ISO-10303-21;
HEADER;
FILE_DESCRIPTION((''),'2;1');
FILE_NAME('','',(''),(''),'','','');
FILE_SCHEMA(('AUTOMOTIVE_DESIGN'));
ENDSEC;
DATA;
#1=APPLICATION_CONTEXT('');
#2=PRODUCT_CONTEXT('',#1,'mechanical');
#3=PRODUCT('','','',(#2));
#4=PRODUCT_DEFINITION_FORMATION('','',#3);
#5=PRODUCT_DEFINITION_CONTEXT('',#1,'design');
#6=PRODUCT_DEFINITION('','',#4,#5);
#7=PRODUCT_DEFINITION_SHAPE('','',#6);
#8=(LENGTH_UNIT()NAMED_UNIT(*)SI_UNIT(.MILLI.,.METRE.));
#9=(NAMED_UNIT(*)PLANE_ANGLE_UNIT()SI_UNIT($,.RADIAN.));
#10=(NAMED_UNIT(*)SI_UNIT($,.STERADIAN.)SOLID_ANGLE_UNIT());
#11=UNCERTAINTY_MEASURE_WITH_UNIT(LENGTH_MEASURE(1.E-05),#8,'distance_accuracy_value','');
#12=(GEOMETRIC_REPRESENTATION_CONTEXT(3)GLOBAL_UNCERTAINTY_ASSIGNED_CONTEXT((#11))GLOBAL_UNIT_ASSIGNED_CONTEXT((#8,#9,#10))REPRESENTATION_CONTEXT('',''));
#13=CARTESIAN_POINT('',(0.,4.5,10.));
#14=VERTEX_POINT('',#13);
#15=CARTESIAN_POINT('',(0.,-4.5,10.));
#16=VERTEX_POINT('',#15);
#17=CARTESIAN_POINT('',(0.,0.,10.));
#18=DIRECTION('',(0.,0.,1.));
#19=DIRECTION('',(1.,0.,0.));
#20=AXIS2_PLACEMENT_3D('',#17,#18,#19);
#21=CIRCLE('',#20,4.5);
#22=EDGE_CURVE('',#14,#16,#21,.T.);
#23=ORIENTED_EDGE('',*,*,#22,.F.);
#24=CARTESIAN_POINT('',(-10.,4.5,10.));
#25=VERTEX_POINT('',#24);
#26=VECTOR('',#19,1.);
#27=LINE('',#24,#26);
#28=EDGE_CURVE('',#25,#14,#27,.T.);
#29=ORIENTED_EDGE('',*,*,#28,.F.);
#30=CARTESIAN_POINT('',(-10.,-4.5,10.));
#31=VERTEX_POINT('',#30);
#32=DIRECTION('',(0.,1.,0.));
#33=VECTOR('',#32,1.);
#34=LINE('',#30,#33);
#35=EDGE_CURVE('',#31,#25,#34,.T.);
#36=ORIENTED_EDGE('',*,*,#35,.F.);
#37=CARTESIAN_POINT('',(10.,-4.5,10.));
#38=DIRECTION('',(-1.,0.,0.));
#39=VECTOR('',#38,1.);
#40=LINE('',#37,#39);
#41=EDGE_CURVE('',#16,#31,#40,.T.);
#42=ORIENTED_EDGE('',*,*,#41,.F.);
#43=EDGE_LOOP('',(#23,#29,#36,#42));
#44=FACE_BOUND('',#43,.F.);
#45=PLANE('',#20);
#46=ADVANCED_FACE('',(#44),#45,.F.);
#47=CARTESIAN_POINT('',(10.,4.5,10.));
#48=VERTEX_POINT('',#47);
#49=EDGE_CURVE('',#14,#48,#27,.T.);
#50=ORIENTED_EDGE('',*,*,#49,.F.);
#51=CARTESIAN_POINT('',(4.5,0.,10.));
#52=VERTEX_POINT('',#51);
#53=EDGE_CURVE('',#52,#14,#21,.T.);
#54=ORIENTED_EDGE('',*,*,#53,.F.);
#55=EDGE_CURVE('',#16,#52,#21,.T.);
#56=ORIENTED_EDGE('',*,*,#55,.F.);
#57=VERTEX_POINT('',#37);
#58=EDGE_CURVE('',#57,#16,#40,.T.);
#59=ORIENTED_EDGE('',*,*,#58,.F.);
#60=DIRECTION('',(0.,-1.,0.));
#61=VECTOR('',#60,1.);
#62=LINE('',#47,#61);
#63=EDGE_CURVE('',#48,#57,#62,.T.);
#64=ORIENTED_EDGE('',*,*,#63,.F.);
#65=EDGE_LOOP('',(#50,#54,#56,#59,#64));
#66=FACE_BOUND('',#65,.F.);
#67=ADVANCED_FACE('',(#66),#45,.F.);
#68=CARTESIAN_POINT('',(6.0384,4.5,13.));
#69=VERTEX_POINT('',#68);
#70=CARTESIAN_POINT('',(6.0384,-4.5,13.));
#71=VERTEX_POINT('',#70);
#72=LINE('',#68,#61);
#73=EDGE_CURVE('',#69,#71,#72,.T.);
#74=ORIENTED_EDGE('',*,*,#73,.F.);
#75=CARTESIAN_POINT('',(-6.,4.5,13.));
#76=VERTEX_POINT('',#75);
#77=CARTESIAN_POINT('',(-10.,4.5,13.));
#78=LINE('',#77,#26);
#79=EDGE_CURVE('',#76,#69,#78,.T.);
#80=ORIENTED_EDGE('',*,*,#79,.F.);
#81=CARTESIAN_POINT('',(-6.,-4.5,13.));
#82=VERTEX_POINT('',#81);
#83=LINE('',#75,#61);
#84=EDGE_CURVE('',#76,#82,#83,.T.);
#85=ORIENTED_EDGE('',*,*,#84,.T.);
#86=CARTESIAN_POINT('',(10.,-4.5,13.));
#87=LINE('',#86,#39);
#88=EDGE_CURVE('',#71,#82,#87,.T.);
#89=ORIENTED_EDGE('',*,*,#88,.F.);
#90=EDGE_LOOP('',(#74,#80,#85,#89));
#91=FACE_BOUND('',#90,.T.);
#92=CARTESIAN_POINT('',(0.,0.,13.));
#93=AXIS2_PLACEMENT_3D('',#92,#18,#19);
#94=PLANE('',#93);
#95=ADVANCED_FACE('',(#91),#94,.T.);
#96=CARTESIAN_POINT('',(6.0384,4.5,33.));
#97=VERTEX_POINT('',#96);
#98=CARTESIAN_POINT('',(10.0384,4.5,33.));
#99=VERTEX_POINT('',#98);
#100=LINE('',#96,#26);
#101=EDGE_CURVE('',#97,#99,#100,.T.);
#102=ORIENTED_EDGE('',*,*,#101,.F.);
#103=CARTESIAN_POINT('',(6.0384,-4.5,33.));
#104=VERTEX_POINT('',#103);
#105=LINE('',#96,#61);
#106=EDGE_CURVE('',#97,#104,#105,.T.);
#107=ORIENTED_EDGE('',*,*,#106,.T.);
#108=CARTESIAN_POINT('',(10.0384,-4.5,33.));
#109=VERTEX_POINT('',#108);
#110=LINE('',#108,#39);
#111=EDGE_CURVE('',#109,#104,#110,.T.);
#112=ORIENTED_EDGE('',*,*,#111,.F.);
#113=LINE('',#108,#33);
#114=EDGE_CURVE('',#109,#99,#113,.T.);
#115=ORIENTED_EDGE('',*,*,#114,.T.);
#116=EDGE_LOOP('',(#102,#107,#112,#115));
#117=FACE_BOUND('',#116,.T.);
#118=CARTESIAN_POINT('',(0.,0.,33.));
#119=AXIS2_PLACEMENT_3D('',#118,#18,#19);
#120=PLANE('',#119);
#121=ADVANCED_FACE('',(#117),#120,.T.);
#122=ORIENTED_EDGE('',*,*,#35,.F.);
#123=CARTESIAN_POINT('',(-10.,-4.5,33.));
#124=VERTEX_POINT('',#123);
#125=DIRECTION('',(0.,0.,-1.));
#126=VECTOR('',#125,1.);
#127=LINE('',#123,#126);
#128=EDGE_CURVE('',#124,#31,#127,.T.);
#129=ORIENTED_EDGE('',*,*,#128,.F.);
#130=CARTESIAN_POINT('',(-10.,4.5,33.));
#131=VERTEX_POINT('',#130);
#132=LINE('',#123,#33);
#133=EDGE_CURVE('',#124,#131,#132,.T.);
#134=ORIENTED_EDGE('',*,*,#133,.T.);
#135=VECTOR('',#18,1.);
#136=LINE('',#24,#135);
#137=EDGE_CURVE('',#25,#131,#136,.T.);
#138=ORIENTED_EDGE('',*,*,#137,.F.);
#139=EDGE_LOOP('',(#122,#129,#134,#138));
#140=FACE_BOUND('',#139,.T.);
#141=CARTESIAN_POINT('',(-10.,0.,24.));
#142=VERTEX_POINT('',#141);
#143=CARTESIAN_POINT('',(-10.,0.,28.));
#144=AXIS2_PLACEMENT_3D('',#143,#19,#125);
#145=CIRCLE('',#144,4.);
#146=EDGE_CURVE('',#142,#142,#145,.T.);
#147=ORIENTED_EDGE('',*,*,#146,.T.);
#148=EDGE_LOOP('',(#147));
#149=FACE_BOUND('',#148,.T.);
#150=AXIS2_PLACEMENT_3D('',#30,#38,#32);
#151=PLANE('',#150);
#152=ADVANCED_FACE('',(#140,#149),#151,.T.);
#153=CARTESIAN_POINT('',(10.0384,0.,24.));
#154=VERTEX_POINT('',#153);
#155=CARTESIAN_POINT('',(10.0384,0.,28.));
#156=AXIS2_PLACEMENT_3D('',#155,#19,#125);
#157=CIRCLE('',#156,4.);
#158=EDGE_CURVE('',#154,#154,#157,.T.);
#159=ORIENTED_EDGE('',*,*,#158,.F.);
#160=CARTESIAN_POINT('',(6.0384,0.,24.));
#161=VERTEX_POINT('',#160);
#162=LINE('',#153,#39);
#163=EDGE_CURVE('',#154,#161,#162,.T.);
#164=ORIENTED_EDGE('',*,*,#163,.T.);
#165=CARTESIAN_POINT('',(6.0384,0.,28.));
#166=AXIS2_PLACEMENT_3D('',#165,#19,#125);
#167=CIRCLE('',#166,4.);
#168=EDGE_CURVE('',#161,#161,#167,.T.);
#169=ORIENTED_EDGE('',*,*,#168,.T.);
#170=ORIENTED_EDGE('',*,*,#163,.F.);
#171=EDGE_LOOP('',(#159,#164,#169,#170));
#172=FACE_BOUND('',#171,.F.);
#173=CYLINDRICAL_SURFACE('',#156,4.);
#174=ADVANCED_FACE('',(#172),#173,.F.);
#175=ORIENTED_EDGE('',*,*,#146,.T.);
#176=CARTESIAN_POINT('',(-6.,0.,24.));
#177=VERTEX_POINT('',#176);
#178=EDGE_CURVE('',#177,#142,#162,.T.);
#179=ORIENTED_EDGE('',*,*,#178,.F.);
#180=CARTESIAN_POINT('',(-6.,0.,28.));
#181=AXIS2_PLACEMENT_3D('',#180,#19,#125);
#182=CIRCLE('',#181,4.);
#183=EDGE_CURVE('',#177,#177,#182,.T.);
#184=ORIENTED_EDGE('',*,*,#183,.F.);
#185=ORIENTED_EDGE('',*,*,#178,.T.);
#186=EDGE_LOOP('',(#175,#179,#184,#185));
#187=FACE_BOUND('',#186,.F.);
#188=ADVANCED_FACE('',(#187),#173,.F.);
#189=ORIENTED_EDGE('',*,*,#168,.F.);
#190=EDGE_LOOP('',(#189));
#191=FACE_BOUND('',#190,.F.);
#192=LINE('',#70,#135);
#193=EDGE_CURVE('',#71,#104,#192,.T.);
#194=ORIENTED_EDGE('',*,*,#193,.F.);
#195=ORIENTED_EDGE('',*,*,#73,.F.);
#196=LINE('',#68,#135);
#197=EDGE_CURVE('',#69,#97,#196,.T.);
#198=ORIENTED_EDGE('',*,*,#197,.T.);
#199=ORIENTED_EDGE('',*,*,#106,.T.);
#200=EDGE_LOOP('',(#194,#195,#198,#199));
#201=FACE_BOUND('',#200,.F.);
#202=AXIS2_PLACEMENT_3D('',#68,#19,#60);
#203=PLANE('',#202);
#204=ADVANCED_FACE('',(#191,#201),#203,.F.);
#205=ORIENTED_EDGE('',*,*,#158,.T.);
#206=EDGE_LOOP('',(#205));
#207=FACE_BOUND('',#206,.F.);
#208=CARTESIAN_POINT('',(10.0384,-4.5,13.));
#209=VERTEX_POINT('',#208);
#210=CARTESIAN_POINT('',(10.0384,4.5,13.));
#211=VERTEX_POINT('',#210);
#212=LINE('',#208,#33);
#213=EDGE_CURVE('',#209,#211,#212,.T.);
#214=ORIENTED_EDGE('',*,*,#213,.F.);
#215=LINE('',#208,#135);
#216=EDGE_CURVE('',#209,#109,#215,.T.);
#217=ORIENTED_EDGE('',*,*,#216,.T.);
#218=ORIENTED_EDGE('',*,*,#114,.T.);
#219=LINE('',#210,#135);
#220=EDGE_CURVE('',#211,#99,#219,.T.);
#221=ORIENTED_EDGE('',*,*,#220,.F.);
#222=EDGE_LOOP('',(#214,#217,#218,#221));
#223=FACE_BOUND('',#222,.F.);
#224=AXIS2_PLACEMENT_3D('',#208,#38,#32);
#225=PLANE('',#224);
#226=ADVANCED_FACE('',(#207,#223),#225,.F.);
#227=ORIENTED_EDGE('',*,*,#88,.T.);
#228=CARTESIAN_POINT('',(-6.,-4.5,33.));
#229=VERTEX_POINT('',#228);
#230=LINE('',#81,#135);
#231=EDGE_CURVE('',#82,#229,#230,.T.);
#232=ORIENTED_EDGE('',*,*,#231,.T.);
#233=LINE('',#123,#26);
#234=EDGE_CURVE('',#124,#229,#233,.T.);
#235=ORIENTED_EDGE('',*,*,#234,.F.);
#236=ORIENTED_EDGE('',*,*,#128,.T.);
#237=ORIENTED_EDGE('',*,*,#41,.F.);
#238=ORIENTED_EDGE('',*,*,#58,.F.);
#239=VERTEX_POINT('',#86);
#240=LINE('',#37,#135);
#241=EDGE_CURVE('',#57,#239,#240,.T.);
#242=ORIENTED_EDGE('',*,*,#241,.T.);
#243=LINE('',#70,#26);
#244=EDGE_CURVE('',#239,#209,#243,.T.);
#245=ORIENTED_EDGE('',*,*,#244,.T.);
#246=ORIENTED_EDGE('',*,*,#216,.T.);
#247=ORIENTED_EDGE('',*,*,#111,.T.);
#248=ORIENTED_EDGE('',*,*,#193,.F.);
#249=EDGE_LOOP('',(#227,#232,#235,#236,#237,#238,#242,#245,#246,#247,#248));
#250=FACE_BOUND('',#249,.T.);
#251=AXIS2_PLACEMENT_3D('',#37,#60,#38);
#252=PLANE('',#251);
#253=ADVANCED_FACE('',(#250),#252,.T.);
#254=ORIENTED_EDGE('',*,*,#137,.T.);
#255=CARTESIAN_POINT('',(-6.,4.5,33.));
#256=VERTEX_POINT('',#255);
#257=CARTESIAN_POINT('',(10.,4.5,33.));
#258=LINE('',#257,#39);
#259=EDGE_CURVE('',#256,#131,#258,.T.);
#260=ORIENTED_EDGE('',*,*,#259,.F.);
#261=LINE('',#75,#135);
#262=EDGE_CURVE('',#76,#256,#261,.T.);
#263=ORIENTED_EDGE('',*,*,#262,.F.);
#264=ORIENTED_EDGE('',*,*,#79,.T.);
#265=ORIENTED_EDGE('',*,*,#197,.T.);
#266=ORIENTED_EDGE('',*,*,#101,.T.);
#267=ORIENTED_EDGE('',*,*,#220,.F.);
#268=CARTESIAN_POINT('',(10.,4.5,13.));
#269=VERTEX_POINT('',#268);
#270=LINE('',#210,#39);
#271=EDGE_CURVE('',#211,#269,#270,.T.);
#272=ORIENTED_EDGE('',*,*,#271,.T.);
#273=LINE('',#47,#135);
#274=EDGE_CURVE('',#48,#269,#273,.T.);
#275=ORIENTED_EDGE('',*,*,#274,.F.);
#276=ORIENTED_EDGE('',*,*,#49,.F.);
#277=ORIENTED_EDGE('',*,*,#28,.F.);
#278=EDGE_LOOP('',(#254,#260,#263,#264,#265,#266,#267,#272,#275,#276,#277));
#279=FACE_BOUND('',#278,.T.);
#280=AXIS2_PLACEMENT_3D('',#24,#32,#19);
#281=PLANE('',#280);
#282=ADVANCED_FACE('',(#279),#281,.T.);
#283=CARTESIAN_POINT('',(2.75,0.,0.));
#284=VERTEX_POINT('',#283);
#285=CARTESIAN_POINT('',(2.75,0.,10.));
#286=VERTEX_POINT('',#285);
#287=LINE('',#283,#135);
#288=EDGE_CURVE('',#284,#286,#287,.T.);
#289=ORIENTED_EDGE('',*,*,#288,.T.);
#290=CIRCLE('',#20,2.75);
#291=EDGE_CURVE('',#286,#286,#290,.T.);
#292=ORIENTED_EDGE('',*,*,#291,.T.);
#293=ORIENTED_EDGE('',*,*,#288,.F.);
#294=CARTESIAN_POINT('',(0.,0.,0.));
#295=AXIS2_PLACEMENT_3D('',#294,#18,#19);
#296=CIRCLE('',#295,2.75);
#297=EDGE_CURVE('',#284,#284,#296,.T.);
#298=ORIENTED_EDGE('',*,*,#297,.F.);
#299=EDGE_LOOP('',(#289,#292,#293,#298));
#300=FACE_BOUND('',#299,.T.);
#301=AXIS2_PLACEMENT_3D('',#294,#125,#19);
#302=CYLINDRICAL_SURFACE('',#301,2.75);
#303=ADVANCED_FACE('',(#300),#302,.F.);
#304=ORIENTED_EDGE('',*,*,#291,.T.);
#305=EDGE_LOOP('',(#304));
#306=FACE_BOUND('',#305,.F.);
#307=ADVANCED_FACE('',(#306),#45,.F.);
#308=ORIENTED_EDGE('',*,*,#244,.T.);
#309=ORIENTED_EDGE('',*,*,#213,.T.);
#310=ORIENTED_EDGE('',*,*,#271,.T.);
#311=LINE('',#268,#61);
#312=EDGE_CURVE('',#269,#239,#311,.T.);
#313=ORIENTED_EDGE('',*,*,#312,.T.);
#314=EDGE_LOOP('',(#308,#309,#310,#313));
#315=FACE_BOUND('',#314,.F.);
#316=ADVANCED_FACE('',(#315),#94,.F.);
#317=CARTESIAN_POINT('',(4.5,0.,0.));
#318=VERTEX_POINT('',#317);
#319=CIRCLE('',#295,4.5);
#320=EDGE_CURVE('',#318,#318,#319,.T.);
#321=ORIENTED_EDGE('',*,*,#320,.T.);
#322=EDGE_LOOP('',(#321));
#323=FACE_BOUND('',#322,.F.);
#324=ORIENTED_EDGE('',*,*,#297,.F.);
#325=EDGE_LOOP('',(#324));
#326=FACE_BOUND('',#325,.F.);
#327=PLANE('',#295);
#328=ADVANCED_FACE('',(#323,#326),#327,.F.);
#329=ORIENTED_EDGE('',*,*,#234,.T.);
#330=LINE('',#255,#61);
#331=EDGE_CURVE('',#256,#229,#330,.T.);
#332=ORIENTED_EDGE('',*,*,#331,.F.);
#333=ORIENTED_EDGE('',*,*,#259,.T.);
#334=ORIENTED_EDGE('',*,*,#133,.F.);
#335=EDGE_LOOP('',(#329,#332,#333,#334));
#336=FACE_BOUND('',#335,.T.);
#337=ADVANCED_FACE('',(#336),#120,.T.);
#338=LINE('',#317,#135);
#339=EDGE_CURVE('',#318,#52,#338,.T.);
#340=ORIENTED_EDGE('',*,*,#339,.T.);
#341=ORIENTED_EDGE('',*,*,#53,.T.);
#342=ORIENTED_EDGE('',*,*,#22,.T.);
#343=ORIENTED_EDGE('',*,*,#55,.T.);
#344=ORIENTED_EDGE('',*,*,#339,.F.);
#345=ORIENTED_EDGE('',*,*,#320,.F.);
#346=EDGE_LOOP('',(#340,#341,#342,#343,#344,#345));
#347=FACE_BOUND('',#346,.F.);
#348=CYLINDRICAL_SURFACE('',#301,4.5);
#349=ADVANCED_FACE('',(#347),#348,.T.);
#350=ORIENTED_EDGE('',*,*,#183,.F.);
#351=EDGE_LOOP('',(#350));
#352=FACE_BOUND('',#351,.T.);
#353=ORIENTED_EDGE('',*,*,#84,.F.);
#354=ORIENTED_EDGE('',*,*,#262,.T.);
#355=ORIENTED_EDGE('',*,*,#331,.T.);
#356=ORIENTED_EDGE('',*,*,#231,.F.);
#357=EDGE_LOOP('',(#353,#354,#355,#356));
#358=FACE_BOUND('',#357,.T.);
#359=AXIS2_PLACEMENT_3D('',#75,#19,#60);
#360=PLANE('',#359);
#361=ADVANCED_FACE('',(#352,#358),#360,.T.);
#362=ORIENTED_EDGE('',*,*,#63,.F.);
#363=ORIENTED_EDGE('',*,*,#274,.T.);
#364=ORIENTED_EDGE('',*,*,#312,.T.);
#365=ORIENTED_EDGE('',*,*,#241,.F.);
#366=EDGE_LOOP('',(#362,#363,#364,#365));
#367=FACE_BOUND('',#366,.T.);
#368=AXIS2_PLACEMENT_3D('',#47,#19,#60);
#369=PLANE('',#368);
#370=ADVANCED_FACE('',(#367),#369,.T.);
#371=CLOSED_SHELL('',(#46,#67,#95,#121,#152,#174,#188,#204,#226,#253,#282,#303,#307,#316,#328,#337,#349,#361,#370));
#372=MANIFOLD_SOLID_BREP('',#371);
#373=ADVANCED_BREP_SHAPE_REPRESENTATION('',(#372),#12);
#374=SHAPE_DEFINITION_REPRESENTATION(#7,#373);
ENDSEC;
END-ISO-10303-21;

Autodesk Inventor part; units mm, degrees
ref_plane "YZ Plane" through (0, 0, 0) normal (1, 0, 0) x (0, 1, 0)
ref_plane "XZ Plane" through (0, 0, 0) normal (0, 1, 0) x (-1, 0, 0)
ref_plane "XY Plane" through (0, 0, 0) normal (0, 0, 1) x (1, 0, 0)
sketch "Sketch1" plane through (0, 0, 0) normal (0, 0, 1) x (1, 0, 0)
  circle A0 centre (0, 0) radius 2.75
  circle A1 centre (0, 0) radius 4.5
  dimension "d0" = 5.5
  dimension "d1" = 9
extrude "Extrusion1" add sketch "Sketch1" along normal blind 10
sketch "Sketch2" plane through (0, 0, 10) normal (0, 0, 1) x (1, 0, 0)
  line L0 (-10, 4.5) -> (10, 4.5)
  line L1 (10, 4.5) -> (10, -4.5)
  line L2 (10, -4.5) -> (-10, -4.5)
  line L3 (-10, -4.5) -> (-10, 4.5)
  point P0 (0, 0)
  dimension "d4" = 20
  dimension "d5" = 10
extrude "Extrusion2" add sketch "Sketch2" along normal blind 3
sketch "Sketch3" plane through (0, 0, 13) normal (0, 0, 1) x (1, 0, 0)
  line L0 (10, 4.5) -> (-10, 4.5) projected
  line L1 (-10, -4.5) -> (10, -4.5) projected
  line L2 (-10, 4.5) -> (-6, 4.5)
  line L3 (-6, 4.5) -> (-6, -4.5)
  line L4 (-6, -4.5) -> (-10, -4.5)
  line L5 (-10, -4.5) -> (-10, 4.5)
  line L6 (10.0384, 4.5) -> (6.0384, 4.5)
  line L7 (6.0384, 4.5) -> (6.0384, -4.5)
  line L8 (6.0384, -4.5) -> (10.0384, -4.5)
  line L9 (10.0384, -4.5) -> (10.0384, 4.5)
  point P0 (0, 0)
  dimension "d8" = 4
  dimension "d9" = 4
extrude "Extrusion3" add sketch "Sketch3" along normal blind 20 contours L6 L9 L8 L1 L7 L0 | L3 L1 L5 L0
sketch "Sketch4" plane through (10.0384, -4.5, 13) normal (1, 0, 0) x (0, 0, -1)
  circle A0 centre (-15, 4.5) radius 4
  point P0 (13, 4.5)
  dimension "d12" = 8
  dimension "d13" = 28
extrude "Extrusion4" cut sketch "Sketch4" against normal blind 27
properties part number "Connector"
